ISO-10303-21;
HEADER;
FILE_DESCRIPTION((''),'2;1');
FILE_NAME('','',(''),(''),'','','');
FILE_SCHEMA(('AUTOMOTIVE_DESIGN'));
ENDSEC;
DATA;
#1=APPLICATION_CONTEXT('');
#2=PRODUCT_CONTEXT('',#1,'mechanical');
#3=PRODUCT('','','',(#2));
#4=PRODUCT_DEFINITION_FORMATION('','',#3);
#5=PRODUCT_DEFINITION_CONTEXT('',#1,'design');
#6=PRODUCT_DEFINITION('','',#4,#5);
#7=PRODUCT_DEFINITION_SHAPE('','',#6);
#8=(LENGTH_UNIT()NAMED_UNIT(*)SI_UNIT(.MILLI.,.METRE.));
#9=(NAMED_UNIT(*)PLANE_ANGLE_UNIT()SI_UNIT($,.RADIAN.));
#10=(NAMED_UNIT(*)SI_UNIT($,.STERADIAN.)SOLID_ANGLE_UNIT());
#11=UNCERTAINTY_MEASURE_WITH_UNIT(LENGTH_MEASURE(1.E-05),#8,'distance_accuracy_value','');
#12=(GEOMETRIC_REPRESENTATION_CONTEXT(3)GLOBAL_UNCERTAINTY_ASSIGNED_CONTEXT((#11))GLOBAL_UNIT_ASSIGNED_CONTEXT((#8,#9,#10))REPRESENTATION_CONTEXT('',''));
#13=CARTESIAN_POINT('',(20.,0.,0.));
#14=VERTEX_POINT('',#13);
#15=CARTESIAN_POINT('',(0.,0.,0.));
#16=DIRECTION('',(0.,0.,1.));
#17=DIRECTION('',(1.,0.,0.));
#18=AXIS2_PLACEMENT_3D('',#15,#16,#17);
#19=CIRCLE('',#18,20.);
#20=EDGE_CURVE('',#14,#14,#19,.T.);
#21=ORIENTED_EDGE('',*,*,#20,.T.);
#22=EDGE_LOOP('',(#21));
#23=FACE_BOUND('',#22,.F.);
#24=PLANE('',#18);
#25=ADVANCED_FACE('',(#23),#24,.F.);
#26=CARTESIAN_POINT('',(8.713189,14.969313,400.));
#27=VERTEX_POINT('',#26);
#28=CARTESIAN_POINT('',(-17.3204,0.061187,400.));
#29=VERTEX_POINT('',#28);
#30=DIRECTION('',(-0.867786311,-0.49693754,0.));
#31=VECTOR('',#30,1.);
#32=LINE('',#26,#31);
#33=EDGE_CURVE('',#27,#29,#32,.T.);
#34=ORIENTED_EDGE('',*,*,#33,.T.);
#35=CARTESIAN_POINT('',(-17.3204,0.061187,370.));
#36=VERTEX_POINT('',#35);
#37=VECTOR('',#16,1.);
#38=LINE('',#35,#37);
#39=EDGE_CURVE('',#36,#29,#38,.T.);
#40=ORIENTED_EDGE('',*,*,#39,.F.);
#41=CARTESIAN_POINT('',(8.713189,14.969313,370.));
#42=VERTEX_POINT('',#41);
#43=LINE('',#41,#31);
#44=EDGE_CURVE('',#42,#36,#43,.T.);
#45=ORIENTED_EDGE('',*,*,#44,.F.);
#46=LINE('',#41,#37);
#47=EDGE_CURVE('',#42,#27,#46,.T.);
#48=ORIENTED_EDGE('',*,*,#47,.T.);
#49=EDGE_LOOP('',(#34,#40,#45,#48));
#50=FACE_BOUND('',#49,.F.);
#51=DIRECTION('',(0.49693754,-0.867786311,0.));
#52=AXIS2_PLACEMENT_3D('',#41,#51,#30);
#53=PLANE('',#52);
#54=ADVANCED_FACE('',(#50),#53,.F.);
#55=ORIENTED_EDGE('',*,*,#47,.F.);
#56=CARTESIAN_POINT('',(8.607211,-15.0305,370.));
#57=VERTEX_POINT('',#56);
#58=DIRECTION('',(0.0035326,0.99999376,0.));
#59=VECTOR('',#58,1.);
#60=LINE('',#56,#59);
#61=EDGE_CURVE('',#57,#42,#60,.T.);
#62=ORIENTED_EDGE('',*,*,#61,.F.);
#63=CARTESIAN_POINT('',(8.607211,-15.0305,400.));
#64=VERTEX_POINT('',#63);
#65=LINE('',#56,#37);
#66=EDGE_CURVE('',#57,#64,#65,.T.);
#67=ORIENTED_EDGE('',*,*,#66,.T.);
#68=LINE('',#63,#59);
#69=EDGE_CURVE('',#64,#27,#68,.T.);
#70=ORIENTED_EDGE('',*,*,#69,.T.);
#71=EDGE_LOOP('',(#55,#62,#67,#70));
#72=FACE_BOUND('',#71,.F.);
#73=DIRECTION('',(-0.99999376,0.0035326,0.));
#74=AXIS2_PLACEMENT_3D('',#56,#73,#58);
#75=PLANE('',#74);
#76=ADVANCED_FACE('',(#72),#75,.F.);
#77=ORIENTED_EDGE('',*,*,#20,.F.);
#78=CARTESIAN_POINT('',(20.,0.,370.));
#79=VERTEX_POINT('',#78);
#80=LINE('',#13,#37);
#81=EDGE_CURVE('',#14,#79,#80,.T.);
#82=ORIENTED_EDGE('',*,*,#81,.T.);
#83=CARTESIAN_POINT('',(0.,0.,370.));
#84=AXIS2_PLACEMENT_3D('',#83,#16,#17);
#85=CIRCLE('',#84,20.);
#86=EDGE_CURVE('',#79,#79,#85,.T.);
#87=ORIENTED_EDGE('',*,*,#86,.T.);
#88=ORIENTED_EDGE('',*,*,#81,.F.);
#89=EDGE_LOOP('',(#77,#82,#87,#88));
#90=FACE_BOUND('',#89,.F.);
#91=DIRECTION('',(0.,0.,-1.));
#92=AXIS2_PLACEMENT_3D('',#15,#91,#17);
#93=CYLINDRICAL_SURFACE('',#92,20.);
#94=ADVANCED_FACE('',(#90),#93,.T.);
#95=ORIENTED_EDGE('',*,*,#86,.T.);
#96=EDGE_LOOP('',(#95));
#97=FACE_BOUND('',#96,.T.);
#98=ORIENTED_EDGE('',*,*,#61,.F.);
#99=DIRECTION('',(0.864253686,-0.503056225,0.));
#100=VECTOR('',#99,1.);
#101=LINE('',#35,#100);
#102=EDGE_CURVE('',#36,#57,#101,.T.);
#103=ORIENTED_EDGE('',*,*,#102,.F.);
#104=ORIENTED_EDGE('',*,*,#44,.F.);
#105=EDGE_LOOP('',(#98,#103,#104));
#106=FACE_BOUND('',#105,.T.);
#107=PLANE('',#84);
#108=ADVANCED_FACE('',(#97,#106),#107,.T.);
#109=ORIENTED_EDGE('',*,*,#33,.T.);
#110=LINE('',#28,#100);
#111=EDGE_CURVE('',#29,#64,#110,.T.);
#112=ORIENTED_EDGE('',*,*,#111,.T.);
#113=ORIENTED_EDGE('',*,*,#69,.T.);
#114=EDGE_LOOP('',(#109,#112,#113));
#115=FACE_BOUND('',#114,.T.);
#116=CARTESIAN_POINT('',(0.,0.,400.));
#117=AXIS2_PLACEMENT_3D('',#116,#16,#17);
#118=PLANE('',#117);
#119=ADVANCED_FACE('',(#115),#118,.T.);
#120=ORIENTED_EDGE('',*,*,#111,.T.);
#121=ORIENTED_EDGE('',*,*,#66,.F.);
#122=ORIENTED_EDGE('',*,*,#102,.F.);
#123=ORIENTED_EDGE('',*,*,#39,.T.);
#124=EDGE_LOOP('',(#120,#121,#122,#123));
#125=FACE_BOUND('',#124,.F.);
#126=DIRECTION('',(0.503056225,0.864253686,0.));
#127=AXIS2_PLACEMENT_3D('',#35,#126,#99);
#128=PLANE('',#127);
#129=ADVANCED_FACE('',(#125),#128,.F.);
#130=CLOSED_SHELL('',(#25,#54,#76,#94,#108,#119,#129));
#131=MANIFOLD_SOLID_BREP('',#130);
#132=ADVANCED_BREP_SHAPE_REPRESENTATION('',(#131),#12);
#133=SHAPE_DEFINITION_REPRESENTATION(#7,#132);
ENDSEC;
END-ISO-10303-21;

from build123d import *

# Parameters (mm, degrees)
F0_R     = 20
F1_DEPTH = 370
F3_DEPTH = 30


with BuildPart() as f1:
    # F0 (on Top) → F1 (new body)
    with BuildSketch(Plane.XY):
        Circle(F0_R)
    extrude(amount=F1_DEPTH)

    # F2 (on face) → F3 (join)
    with BuildSketch(Plane.XY.offset(370)):
        Polygon((-17.3204, 0.061187), (8.607211, -15.0305), (8.713189, 14.969313), align=None)
    extrude(amount=F3_DEPTH)


solid = f1.part
